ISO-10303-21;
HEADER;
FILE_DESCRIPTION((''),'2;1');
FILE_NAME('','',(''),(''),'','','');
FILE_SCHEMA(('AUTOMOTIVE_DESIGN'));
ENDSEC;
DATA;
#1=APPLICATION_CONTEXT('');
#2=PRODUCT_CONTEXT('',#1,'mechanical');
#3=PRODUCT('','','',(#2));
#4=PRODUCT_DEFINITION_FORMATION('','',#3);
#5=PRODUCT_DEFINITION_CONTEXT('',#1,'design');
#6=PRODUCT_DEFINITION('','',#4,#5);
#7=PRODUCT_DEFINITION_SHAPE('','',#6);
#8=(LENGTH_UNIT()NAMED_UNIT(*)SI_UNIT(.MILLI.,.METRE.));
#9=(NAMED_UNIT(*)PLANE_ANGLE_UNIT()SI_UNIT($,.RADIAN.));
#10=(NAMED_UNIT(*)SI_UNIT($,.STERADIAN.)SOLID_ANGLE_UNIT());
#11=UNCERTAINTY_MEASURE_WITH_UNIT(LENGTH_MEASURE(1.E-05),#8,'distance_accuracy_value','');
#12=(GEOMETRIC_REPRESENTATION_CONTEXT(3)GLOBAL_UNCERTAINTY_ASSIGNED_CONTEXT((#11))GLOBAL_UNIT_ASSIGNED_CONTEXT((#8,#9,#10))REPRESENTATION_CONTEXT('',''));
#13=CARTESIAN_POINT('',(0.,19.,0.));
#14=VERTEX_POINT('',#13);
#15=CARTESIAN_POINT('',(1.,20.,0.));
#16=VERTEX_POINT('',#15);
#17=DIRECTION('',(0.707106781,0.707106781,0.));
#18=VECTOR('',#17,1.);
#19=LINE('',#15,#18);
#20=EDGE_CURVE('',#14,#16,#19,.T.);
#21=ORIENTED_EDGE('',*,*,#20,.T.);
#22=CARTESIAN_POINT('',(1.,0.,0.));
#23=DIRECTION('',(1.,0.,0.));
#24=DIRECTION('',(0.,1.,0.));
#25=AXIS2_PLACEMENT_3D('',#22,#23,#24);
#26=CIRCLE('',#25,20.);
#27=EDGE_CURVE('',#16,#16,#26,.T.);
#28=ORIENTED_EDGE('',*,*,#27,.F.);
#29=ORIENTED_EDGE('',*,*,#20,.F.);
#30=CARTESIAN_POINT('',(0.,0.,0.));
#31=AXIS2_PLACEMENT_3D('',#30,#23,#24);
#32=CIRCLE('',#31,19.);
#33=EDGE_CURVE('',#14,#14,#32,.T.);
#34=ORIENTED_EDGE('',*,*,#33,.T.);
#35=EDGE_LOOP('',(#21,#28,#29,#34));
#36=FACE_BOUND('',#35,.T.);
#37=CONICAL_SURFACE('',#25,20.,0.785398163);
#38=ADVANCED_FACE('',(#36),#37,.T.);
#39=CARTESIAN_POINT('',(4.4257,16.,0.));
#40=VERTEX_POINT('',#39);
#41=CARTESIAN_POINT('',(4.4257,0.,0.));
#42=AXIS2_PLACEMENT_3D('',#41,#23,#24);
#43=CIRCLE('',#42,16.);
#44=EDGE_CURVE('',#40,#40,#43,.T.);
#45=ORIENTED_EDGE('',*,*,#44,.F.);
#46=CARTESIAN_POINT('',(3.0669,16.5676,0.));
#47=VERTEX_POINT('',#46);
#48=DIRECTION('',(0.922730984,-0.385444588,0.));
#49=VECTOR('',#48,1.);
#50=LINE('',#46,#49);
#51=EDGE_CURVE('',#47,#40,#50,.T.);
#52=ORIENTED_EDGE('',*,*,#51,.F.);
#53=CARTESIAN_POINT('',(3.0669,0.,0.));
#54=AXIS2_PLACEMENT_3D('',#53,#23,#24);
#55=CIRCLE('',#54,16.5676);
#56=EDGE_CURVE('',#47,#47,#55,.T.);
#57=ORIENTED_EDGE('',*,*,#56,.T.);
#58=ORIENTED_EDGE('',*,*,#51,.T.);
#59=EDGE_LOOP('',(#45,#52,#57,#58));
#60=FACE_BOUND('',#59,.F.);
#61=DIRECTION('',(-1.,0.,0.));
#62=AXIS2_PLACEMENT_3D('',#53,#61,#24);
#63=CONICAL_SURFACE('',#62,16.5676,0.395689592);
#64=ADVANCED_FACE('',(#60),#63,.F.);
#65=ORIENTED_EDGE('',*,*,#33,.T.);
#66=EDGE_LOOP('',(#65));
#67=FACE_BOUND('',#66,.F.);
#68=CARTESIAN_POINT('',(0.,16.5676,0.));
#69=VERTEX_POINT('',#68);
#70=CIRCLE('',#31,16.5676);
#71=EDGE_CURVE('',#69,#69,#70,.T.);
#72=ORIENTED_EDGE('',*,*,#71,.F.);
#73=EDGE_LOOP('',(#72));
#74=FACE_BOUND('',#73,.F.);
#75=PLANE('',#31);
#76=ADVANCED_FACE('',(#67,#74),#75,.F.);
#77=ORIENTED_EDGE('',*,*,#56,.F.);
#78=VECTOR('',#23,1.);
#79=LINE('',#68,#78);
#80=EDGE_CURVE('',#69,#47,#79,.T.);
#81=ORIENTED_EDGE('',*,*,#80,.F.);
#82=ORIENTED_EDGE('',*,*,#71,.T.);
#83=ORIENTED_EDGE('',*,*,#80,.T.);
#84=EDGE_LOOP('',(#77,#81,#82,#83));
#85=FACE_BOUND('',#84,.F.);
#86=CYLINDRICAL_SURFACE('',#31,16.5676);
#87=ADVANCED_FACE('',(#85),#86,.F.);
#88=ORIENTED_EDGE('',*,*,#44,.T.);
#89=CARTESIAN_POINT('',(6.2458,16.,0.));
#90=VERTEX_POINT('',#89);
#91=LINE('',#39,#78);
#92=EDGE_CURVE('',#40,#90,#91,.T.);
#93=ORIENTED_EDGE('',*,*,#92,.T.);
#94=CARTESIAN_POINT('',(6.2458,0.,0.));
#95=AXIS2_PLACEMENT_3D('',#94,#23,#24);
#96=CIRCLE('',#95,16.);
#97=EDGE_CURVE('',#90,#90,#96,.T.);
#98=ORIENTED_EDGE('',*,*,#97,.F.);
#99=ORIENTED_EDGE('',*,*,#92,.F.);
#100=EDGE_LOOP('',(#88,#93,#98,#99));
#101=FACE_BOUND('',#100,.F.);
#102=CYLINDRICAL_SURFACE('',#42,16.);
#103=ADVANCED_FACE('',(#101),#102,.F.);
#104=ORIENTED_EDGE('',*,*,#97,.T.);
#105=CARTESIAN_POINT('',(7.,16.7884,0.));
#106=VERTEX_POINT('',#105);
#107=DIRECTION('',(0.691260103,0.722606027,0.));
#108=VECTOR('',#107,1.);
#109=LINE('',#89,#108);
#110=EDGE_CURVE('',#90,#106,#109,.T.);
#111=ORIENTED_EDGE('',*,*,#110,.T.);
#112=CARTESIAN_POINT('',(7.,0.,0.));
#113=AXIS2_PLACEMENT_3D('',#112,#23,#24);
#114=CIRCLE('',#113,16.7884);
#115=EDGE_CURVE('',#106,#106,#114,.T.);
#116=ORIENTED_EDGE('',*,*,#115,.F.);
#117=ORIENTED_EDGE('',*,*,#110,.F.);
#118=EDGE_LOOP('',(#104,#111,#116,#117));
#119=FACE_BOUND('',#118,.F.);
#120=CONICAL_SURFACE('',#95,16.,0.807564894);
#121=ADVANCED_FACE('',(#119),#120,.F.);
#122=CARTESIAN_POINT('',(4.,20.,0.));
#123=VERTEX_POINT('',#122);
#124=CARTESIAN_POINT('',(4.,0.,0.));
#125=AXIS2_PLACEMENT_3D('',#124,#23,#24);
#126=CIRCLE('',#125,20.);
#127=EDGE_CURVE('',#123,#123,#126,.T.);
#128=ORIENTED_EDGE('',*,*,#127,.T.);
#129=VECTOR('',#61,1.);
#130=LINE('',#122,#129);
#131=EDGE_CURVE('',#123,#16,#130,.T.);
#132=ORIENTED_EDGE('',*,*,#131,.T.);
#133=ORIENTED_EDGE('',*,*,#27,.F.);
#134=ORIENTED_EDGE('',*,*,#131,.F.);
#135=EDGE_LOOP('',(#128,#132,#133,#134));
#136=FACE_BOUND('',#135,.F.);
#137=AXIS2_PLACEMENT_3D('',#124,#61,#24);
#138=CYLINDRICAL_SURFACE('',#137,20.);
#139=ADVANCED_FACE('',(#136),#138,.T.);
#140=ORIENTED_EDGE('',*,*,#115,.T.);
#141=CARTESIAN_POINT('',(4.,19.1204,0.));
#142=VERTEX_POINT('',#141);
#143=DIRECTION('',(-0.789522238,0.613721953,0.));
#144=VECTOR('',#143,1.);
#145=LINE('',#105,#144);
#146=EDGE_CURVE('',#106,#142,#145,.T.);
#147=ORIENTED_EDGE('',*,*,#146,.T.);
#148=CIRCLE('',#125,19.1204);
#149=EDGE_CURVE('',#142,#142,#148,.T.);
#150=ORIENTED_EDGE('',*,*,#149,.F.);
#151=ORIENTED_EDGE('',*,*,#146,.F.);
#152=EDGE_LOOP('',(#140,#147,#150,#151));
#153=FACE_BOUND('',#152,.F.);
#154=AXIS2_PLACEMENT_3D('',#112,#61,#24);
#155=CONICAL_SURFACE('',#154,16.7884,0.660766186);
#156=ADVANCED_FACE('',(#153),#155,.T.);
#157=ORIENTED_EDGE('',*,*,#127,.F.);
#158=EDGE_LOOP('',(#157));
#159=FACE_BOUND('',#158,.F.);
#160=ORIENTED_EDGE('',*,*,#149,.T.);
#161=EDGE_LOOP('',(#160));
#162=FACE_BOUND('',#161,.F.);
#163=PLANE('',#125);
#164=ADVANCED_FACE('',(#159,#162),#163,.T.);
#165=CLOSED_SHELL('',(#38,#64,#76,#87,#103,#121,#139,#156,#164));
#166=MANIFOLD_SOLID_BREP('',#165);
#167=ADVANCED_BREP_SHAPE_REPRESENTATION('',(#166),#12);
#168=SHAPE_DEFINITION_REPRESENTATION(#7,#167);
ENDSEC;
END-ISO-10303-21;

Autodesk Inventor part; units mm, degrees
ref_plane "YZ Plane" through (0, 0, 0) normal (1, 0, 0) x (0, 1, 0)
ref_plane "XZ Plane" through (0, 0, 0) normal (0, 1, 0) x (-1, 0, 0)
ref_plane "XY Plane" through (0, 0, 0) normal (0, 0, 1) x (1, 0, 0)
sketch "Sketch1" plane through (0, 0, 0) normal (0, 0, 1) x (1, 0, 0)
  line L0 (4, 19.1204) -> (4, 20)
  line L1 (4, 20) -> (0, 20)
  line L2 (0, 20) -> (0, 16.5676)
  line L3 (0, 16.5676) -> (3.0669, 16.5676)
  line L4 (3.0669, 16.5676) -> (4.4257, 16)
  line L5 (4.4257, 16) -> (6.2458, 16)
  line L6 (6.2458, 16) -> (7, 16.7884)
  line L7 (7, 16.7884) -> (4, 19.1204)
  line L8 (0, 0) -> (20.4487, 0)
  dimension "d0" = 84.13
  dimension "d1" = 133.729
  dimension "d2" = 111.058
  dimension "d3" = 4
  dimension "d4" = 0.5675
  dimension "d5" = 4
  dimension "d6" = 0.7884
  dimension "d7" = 3
  dimension "d8" = 1.7197
  dimension "d9" = 32
revolve "Revolution1" add sketch "Sketch1" angle 360 about axis through (0, 0, 0) along (1, 0, 0)
chamfer "Fase1" distance 1 angle 45 1 edges at (0, -20, 0)
properties part number "Collar_Seal_Outer" material "Nylon-6/6"
